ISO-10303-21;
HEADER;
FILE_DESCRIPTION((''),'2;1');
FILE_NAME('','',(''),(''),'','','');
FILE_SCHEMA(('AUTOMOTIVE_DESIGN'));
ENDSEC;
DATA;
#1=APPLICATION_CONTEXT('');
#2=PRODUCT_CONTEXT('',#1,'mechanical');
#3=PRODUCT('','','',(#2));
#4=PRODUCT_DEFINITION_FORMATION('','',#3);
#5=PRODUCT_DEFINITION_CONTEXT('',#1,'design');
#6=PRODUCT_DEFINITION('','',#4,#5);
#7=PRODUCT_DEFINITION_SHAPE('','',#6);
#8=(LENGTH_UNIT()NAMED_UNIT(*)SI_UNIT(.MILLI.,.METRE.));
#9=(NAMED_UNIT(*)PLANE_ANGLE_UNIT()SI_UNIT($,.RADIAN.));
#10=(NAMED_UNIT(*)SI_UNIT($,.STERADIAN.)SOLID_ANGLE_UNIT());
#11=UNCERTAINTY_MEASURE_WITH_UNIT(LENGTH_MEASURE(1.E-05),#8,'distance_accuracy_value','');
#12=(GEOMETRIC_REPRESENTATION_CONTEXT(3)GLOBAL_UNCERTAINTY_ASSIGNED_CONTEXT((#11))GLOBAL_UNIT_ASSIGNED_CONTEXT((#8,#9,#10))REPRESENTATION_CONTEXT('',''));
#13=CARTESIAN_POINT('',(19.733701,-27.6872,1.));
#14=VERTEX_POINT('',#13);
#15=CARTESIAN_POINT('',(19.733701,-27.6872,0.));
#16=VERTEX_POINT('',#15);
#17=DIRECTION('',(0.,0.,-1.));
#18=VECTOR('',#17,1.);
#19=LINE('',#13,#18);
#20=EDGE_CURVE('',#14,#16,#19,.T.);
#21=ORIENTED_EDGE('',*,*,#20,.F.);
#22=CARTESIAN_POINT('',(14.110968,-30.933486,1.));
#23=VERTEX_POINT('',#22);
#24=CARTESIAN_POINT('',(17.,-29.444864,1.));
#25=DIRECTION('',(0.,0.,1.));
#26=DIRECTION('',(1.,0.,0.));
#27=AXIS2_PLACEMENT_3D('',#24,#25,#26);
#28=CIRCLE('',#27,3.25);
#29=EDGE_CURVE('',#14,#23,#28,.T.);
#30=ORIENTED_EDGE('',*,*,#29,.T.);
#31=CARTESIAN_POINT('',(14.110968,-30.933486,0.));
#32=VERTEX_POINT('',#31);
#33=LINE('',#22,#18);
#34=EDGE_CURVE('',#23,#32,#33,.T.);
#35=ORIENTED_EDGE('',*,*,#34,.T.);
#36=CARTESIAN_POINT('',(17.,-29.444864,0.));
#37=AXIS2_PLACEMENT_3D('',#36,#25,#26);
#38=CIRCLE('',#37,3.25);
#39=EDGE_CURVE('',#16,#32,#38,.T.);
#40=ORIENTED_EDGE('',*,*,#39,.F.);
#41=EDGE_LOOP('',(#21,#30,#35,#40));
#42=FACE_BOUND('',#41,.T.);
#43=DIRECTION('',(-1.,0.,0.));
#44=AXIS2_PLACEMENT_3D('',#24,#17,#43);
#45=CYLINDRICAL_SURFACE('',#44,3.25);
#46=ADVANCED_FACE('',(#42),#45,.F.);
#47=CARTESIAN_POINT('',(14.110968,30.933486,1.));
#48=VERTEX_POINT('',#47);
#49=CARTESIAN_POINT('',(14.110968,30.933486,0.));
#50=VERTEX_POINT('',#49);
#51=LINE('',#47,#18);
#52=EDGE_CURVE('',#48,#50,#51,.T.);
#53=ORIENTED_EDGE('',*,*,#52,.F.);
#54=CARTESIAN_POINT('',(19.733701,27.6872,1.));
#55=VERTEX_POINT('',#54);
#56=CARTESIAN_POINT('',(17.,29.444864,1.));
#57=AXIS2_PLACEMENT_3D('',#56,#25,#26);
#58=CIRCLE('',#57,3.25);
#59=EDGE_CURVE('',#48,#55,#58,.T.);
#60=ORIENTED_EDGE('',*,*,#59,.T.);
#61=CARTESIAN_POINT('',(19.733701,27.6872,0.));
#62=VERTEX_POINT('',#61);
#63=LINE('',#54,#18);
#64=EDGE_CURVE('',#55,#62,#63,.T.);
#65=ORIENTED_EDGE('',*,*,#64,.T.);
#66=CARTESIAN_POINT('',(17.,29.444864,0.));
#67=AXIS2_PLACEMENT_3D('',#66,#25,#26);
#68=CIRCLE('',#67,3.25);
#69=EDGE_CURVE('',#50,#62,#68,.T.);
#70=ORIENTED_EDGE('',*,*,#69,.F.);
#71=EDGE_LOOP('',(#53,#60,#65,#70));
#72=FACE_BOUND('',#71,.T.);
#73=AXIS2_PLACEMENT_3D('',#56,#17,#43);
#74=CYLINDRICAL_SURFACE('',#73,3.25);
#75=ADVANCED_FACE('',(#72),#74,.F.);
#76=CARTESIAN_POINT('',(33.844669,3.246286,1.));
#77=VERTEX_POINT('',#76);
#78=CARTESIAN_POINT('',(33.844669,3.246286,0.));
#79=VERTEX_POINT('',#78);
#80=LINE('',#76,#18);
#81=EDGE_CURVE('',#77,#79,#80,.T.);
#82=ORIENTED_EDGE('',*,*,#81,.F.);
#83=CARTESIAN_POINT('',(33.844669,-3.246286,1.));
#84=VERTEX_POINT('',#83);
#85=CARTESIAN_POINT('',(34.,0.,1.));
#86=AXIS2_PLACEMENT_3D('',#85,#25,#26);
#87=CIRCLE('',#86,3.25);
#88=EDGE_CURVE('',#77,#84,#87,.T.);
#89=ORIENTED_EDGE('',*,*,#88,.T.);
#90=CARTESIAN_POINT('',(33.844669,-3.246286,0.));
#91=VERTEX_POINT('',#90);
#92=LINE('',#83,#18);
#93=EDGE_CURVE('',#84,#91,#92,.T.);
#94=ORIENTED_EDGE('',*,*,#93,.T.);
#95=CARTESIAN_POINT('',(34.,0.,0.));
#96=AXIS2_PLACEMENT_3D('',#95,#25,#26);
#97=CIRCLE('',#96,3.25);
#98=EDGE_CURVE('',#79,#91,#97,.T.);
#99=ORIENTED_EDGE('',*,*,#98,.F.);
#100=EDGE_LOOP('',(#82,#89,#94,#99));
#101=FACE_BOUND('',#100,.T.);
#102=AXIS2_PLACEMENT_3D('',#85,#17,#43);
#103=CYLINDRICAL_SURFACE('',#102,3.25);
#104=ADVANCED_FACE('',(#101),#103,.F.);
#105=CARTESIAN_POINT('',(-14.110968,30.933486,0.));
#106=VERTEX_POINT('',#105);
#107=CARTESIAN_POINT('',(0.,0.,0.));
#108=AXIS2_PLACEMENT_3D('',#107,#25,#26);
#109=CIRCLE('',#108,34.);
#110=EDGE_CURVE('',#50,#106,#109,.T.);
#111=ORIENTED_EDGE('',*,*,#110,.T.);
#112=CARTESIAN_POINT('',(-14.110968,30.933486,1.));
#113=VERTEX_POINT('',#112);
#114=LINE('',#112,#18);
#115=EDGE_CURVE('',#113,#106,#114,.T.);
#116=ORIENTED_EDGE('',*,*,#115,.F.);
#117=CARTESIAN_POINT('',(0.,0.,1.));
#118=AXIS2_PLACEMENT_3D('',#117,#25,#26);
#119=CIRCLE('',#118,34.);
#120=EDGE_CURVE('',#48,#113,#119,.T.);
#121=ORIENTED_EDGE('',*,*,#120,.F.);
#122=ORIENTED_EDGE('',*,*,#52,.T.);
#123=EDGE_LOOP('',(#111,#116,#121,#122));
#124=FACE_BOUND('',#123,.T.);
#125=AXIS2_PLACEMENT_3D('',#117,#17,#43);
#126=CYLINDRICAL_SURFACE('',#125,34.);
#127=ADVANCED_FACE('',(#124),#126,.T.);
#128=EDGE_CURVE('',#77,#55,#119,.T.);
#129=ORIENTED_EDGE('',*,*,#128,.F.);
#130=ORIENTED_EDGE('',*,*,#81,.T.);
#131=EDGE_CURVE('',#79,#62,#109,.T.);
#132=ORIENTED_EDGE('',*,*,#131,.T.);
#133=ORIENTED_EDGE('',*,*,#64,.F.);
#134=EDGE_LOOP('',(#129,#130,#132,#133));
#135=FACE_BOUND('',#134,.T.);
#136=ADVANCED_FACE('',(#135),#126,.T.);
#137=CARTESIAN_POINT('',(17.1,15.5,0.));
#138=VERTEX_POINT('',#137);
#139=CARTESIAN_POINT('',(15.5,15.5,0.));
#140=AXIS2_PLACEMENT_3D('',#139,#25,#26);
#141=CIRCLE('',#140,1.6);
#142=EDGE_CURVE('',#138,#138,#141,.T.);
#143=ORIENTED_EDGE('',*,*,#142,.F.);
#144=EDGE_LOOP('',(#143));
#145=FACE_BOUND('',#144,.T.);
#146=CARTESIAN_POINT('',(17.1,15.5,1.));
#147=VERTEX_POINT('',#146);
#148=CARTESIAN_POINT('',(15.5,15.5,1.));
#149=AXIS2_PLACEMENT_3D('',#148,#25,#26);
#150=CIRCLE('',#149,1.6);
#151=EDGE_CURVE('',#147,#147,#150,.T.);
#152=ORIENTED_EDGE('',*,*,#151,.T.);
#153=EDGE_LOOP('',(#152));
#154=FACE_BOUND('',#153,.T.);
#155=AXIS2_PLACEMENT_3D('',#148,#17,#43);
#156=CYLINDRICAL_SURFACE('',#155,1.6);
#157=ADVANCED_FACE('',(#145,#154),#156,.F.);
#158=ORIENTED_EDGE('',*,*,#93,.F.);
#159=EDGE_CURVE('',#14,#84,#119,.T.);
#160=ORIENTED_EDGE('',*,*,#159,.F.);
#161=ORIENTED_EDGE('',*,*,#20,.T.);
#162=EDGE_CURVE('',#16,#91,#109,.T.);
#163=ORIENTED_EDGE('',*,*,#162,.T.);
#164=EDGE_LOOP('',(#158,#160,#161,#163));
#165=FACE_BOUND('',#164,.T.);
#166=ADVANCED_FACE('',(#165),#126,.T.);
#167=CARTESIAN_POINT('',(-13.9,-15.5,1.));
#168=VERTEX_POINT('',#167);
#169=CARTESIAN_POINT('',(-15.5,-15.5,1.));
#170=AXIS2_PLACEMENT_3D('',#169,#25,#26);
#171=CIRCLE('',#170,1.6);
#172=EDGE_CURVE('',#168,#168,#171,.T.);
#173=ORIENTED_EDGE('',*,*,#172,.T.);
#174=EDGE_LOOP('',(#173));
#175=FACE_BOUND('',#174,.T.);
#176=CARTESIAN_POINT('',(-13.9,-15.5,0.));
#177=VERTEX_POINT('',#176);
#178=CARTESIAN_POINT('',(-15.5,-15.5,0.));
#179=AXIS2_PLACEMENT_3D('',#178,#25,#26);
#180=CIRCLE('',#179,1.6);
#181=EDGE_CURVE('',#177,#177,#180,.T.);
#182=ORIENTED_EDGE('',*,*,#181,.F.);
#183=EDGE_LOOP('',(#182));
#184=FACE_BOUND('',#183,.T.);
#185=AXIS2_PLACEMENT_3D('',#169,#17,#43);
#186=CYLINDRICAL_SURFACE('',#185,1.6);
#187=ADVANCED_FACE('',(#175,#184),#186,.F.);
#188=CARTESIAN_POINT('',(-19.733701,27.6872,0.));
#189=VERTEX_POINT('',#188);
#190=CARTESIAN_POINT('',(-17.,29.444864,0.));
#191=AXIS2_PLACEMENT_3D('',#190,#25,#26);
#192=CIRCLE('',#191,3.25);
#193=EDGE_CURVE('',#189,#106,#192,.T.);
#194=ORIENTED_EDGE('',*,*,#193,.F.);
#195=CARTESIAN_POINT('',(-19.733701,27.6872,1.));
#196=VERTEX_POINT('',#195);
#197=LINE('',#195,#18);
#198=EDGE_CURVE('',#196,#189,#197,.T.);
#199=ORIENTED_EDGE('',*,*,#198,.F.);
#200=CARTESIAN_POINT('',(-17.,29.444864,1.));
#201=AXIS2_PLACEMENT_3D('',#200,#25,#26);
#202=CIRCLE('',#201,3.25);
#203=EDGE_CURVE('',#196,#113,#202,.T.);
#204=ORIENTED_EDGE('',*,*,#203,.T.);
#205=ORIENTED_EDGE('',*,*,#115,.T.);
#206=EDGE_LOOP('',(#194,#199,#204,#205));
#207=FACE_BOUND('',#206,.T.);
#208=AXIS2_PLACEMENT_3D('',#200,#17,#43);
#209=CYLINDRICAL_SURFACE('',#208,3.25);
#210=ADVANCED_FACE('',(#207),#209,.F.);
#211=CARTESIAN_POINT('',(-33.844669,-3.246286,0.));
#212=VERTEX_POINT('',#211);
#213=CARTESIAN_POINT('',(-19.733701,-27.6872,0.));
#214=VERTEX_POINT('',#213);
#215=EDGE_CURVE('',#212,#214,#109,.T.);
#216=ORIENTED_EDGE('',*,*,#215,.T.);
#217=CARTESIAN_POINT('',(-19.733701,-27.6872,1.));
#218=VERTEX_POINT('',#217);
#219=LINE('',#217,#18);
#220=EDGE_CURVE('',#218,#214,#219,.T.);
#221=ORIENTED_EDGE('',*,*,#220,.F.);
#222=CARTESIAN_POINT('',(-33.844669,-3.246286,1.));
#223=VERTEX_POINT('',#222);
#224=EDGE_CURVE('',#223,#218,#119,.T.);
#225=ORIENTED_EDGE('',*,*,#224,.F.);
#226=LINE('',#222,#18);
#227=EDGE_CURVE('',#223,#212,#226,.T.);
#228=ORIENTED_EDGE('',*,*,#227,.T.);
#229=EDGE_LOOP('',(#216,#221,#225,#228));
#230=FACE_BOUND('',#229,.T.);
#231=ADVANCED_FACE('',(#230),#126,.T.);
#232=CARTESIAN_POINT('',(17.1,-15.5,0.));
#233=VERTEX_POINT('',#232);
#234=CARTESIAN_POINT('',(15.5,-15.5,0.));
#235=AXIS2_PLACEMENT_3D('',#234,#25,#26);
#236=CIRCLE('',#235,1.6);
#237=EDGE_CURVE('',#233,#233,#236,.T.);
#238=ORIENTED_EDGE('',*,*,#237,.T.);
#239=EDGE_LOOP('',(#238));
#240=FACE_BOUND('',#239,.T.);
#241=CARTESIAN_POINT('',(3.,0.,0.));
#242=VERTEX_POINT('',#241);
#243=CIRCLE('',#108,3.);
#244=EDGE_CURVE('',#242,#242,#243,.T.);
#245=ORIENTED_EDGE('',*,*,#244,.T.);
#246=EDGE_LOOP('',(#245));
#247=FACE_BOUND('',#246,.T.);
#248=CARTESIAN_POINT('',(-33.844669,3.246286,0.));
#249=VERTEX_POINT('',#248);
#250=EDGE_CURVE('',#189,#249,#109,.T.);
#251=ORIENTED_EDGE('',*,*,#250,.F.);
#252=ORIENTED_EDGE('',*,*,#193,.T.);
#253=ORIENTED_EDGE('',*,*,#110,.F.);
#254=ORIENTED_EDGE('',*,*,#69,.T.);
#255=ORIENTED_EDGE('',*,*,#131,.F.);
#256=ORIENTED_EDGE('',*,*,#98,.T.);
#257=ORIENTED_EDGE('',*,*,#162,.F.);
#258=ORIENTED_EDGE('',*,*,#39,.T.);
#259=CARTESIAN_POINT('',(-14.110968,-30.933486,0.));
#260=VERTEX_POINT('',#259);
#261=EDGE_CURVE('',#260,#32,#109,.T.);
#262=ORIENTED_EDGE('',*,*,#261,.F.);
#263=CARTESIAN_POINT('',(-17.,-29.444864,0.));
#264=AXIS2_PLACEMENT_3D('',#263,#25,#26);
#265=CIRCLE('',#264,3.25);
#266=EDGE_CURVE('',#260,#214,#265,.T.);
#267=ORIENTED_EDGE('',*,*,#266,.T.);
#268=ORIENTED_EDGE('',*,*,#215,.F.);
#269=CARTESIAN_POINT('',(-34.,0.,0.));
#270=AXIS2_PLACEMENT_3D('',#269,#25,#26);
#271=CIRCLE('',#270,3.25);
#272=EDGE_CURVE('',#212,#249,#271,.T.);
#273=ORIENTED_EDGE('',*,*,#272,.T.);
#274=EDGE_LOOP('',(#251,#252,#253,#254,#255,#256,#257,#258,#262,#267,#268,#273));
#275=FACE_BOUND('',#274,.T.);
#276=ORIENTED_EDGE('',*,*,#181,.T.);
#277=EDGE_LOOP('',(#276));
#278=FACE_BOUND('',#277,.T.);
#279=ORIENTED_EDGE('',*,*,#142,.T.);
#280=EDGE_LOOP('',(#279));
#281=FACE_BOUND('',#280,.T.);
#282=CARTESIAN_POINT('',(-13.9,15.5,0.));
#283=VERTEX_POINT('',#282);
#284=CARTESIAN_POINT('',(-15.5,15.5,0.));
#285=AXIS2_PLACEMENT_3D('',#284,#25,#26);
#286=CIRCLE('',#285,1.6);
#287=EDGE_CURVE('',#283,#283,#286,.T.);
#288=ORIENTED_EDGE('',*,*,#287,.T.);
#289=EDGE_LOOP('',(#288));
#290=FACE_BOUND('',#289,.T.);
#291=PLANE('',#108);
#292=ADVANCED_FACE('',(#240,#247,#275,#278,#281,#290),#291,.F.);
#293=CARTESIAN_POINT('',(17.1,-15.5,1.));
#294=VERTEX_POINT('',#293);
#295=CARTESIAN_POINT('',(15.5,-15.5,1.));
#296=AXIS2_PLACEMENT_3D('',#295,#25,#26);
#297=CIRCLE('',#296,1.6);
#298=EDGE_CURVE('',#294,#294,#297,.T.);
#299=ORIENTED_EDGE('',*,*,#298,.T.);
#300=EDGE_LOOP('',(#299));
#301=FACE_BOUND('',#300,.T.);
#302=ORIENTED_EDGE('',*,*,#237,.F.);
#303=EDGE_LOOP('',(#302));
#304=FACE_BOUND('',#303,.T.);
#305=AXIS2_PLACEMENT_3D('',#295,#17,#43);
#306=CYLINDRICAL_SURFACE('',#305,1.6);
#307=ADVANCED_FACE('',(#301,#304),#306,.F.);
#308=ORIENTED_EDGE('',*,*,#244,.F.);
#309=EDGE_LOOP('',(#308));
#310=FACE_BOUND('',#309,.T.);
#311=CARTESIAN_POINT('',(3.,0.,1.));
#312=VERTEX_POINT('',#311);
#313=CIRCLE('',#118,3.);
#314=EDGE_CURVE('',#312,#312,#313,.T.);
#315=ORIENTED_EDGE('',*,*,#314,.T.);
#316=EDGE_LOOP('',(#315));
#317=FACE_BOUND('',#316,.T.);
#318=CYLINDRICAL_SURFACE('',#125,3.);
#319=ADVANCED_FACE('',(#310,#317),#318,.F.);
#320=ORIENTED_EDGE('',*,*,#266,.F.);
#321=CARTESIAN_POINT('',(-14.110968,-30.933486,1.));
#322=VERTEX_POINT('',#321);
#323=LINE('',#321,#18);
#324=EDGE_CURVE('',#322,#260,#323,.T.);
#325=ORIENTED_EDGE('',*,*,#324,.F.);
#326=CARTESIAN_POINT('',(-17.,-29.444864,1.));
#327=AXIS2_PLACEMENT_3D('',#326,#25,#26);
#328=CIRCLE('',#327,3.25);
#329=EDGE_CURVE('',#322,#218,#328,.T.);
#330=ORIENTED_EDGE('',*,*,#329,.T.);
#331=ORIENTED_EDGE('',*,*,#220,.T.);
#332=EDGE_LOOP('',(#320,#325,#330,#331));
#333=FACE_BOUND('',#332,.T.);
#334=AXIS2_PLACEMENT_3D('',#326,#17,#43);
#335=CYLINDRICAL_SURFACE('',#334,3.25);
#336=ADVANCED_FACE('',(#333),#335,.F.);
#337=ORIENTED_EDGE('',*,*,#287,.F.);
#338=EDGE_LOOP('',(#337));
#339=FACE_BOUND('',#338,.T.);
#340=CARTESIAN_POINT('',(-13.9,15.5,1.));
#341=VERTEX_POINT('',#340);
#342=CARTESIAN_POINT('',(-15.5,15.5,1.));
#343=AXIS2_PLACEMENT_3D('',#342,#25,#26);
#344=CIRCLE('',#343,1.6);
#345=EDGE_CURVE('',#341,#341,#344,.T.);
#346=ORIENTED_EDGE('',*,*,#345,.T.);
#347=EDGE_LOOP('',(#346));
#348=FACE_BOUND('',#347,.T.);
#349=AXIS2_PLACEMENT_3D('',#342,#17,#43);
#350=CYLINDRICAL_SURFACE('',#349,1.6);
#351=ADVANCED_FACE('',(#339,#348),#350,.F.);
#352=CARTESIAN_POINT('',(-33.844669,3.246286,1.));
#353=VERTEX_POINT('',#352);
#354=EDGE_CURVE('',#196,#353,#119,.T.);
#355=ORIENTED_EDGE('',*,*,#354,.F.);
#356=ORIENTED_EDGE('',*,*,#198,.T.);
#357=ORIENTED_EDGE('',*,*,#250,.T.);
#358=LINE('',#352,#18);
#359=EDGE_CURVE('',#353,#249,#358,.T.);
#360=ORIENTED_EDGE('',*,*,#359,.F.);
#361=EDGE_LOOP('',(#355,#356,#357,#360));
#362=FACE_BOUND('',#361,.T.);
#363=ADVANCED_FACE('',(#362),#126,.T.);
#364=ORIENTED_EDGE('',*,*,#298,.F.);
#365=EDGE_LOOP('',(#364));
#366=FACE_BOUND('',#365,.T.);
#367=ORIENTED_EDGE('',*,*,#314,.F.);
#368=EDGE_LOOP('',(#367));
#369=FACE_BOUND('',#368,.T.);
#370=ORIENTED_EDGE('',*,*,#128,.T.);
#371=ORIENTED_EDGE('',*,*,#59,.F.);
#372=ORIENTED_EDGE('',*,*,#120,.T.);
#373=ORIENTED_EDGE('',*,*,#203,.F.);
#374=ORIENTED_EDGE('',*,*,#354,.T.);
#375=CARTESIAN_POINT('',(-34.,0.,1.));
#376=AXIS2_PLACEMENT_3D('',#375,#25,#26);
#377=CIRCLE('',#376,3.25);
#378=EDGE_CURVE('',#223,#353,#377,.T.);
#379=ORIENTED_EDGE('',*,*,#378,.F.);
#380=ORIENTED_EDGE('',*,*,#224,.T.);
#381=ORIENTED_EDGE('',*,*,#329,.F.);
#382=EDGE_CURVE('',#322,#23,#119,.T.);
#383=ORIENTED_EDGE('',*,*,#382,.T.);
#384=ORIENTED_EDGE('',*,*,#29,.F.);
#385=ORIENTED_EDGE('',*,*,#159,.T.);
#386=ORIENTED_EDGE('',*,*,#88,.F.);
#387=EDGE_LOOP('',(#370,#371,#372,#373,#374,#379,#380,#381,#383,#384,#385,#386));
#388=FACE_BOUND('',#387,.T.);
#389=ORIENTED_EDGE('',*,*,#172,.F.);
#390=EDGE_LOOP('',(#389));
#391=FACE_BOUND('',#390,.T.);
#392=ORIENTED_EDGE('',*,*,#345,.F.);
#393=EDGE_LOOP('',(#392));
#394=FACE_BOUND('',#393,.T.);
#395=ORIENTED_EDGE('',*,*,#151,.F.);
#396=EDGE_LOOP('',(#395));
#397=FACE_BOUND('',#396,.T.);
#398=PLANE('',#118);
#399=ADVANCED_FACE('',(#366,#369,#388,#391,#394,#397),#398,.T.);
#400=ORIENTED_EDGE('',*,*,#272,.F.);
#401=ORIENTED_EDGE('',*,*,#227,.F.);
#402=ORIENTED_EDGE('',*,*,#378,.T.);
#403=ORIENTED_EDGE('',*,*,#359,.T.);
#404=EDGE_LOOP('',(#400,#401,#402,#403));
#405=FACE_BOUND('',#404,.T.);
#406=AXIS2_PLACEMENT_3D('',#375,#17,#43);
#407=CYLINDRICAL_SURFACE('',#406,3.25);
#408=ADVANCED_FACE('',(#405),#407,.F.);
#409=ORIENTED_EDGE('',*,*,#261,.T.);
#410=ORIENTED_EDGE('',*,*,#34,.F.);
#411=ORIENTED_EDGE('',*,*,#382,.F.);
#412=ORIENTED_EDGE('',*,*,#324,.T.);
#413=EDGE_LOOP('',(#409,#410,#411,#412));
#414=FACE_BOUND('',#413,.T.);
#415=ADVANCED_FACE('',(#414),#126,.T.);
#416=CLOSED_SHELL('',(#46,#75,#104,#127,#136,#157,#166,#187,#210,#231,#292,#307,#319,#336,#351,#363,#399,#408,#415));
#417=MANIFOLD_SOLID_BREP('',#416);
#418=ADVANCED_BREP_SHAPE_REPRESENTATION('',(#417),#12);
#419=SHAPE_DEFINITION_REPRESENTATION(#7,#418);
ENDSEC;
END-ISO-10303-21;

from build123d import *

# Parameters (mm, degrees)
ESQUISSE1_R        = 1.6
ESQUISSE1_R_2      = 3
BOSS_EXTRU_1_DEPTH = 1


with BuildPart() as part:
    # Esquisse1 → Boss.-Extru.1 (new body)
    with BuildSketch(Plane.XY):
        with BuildLine():
            ThreePointArc((33.844669118, -3.246285927), (30.75, 0), (33.844669118, 3.246285927))
            ThreePointArc((33.844669118, 3.246285927), (29.444863729, 17), (19.733700639, 27.687200275))
            ThreePointArc((19.733700639, 27.687200275), (15.375, 26.630281166), (14.110968478, 30.933486202))
            ThreePointArc((14.110968478, 30.933486202), (0, 34), (-14.110968478, 30.933486202))
            ThreePointArc((-14.110968478, 30.933486202), (-13.841531032, 30.210744775), (-13.75, 29.444863729))
            ThreePointArc((-13.75, 29.444863729), (-16.084037959, 26.326608842), (-19.733700639, 27.687200275))
            ThreePointArc((-19.733700639, 27.687200275), (-29.444863729, 17), (-33.844669118, 3.246285927))
            ThreePointArc((-33.844669118, 3.246285927), (-31.64762616, 2.242506927), (-30.75, 0))
            ThreePointArc((-30.75, 0), (-31.64762616, -2.242506927), (-33.844669118, -3.246285927))
            ThreePointArc((-33.844669118, -3.246285927), (-29.444863729, -17), (-19.733700639, -27.687200275))
            ThreePointArc((-19.733700639, -27.687200275), (-16.084037959, -26.326608842), (-13.75, -29.444863729))
            ThreePointArc((-13.75, -29.444863729), (-13.841531032, -30.210744775), (-14.110968478, -30.933486202))
            ThreePointArc((-14.110968478, -30.933486202), (0, -34), (14.110968478, -30.933486202))
            ThreePointArc((14.110968478, -30.933486202), (15.375, -26.630281166), (19.733700639, -27.687200275))
            ThreePointArc((19.733700639, -27.687200275), (29.444863729, -17), (33.844669118, -3.246285927))
        make_face()
        with Locations((-15.5, -15.5)):
            Circle(ESQUISSE1_R, mode=Mode.SUBTRACT)
        with Locations((15.5, -15.5)):
            Circle(ESQUISSE1_R, mode=Mode.SUBTRACT)
        with Locations((-15.5, 15.5)):
            Circle(ESQUISSE1_R, mode=Mode.SUBTRACT)
        Circle(ESQUISSE1_R_2, mode=Mode.SUBTRACT)
        with Locations((15.5, 15.5)):
            Circle(ESQUISSE1_R, mode=Mode.SUBTRACT)
    extrude(amount=BOSS_EXTRU_1_DEPTH)


solid = part.part
